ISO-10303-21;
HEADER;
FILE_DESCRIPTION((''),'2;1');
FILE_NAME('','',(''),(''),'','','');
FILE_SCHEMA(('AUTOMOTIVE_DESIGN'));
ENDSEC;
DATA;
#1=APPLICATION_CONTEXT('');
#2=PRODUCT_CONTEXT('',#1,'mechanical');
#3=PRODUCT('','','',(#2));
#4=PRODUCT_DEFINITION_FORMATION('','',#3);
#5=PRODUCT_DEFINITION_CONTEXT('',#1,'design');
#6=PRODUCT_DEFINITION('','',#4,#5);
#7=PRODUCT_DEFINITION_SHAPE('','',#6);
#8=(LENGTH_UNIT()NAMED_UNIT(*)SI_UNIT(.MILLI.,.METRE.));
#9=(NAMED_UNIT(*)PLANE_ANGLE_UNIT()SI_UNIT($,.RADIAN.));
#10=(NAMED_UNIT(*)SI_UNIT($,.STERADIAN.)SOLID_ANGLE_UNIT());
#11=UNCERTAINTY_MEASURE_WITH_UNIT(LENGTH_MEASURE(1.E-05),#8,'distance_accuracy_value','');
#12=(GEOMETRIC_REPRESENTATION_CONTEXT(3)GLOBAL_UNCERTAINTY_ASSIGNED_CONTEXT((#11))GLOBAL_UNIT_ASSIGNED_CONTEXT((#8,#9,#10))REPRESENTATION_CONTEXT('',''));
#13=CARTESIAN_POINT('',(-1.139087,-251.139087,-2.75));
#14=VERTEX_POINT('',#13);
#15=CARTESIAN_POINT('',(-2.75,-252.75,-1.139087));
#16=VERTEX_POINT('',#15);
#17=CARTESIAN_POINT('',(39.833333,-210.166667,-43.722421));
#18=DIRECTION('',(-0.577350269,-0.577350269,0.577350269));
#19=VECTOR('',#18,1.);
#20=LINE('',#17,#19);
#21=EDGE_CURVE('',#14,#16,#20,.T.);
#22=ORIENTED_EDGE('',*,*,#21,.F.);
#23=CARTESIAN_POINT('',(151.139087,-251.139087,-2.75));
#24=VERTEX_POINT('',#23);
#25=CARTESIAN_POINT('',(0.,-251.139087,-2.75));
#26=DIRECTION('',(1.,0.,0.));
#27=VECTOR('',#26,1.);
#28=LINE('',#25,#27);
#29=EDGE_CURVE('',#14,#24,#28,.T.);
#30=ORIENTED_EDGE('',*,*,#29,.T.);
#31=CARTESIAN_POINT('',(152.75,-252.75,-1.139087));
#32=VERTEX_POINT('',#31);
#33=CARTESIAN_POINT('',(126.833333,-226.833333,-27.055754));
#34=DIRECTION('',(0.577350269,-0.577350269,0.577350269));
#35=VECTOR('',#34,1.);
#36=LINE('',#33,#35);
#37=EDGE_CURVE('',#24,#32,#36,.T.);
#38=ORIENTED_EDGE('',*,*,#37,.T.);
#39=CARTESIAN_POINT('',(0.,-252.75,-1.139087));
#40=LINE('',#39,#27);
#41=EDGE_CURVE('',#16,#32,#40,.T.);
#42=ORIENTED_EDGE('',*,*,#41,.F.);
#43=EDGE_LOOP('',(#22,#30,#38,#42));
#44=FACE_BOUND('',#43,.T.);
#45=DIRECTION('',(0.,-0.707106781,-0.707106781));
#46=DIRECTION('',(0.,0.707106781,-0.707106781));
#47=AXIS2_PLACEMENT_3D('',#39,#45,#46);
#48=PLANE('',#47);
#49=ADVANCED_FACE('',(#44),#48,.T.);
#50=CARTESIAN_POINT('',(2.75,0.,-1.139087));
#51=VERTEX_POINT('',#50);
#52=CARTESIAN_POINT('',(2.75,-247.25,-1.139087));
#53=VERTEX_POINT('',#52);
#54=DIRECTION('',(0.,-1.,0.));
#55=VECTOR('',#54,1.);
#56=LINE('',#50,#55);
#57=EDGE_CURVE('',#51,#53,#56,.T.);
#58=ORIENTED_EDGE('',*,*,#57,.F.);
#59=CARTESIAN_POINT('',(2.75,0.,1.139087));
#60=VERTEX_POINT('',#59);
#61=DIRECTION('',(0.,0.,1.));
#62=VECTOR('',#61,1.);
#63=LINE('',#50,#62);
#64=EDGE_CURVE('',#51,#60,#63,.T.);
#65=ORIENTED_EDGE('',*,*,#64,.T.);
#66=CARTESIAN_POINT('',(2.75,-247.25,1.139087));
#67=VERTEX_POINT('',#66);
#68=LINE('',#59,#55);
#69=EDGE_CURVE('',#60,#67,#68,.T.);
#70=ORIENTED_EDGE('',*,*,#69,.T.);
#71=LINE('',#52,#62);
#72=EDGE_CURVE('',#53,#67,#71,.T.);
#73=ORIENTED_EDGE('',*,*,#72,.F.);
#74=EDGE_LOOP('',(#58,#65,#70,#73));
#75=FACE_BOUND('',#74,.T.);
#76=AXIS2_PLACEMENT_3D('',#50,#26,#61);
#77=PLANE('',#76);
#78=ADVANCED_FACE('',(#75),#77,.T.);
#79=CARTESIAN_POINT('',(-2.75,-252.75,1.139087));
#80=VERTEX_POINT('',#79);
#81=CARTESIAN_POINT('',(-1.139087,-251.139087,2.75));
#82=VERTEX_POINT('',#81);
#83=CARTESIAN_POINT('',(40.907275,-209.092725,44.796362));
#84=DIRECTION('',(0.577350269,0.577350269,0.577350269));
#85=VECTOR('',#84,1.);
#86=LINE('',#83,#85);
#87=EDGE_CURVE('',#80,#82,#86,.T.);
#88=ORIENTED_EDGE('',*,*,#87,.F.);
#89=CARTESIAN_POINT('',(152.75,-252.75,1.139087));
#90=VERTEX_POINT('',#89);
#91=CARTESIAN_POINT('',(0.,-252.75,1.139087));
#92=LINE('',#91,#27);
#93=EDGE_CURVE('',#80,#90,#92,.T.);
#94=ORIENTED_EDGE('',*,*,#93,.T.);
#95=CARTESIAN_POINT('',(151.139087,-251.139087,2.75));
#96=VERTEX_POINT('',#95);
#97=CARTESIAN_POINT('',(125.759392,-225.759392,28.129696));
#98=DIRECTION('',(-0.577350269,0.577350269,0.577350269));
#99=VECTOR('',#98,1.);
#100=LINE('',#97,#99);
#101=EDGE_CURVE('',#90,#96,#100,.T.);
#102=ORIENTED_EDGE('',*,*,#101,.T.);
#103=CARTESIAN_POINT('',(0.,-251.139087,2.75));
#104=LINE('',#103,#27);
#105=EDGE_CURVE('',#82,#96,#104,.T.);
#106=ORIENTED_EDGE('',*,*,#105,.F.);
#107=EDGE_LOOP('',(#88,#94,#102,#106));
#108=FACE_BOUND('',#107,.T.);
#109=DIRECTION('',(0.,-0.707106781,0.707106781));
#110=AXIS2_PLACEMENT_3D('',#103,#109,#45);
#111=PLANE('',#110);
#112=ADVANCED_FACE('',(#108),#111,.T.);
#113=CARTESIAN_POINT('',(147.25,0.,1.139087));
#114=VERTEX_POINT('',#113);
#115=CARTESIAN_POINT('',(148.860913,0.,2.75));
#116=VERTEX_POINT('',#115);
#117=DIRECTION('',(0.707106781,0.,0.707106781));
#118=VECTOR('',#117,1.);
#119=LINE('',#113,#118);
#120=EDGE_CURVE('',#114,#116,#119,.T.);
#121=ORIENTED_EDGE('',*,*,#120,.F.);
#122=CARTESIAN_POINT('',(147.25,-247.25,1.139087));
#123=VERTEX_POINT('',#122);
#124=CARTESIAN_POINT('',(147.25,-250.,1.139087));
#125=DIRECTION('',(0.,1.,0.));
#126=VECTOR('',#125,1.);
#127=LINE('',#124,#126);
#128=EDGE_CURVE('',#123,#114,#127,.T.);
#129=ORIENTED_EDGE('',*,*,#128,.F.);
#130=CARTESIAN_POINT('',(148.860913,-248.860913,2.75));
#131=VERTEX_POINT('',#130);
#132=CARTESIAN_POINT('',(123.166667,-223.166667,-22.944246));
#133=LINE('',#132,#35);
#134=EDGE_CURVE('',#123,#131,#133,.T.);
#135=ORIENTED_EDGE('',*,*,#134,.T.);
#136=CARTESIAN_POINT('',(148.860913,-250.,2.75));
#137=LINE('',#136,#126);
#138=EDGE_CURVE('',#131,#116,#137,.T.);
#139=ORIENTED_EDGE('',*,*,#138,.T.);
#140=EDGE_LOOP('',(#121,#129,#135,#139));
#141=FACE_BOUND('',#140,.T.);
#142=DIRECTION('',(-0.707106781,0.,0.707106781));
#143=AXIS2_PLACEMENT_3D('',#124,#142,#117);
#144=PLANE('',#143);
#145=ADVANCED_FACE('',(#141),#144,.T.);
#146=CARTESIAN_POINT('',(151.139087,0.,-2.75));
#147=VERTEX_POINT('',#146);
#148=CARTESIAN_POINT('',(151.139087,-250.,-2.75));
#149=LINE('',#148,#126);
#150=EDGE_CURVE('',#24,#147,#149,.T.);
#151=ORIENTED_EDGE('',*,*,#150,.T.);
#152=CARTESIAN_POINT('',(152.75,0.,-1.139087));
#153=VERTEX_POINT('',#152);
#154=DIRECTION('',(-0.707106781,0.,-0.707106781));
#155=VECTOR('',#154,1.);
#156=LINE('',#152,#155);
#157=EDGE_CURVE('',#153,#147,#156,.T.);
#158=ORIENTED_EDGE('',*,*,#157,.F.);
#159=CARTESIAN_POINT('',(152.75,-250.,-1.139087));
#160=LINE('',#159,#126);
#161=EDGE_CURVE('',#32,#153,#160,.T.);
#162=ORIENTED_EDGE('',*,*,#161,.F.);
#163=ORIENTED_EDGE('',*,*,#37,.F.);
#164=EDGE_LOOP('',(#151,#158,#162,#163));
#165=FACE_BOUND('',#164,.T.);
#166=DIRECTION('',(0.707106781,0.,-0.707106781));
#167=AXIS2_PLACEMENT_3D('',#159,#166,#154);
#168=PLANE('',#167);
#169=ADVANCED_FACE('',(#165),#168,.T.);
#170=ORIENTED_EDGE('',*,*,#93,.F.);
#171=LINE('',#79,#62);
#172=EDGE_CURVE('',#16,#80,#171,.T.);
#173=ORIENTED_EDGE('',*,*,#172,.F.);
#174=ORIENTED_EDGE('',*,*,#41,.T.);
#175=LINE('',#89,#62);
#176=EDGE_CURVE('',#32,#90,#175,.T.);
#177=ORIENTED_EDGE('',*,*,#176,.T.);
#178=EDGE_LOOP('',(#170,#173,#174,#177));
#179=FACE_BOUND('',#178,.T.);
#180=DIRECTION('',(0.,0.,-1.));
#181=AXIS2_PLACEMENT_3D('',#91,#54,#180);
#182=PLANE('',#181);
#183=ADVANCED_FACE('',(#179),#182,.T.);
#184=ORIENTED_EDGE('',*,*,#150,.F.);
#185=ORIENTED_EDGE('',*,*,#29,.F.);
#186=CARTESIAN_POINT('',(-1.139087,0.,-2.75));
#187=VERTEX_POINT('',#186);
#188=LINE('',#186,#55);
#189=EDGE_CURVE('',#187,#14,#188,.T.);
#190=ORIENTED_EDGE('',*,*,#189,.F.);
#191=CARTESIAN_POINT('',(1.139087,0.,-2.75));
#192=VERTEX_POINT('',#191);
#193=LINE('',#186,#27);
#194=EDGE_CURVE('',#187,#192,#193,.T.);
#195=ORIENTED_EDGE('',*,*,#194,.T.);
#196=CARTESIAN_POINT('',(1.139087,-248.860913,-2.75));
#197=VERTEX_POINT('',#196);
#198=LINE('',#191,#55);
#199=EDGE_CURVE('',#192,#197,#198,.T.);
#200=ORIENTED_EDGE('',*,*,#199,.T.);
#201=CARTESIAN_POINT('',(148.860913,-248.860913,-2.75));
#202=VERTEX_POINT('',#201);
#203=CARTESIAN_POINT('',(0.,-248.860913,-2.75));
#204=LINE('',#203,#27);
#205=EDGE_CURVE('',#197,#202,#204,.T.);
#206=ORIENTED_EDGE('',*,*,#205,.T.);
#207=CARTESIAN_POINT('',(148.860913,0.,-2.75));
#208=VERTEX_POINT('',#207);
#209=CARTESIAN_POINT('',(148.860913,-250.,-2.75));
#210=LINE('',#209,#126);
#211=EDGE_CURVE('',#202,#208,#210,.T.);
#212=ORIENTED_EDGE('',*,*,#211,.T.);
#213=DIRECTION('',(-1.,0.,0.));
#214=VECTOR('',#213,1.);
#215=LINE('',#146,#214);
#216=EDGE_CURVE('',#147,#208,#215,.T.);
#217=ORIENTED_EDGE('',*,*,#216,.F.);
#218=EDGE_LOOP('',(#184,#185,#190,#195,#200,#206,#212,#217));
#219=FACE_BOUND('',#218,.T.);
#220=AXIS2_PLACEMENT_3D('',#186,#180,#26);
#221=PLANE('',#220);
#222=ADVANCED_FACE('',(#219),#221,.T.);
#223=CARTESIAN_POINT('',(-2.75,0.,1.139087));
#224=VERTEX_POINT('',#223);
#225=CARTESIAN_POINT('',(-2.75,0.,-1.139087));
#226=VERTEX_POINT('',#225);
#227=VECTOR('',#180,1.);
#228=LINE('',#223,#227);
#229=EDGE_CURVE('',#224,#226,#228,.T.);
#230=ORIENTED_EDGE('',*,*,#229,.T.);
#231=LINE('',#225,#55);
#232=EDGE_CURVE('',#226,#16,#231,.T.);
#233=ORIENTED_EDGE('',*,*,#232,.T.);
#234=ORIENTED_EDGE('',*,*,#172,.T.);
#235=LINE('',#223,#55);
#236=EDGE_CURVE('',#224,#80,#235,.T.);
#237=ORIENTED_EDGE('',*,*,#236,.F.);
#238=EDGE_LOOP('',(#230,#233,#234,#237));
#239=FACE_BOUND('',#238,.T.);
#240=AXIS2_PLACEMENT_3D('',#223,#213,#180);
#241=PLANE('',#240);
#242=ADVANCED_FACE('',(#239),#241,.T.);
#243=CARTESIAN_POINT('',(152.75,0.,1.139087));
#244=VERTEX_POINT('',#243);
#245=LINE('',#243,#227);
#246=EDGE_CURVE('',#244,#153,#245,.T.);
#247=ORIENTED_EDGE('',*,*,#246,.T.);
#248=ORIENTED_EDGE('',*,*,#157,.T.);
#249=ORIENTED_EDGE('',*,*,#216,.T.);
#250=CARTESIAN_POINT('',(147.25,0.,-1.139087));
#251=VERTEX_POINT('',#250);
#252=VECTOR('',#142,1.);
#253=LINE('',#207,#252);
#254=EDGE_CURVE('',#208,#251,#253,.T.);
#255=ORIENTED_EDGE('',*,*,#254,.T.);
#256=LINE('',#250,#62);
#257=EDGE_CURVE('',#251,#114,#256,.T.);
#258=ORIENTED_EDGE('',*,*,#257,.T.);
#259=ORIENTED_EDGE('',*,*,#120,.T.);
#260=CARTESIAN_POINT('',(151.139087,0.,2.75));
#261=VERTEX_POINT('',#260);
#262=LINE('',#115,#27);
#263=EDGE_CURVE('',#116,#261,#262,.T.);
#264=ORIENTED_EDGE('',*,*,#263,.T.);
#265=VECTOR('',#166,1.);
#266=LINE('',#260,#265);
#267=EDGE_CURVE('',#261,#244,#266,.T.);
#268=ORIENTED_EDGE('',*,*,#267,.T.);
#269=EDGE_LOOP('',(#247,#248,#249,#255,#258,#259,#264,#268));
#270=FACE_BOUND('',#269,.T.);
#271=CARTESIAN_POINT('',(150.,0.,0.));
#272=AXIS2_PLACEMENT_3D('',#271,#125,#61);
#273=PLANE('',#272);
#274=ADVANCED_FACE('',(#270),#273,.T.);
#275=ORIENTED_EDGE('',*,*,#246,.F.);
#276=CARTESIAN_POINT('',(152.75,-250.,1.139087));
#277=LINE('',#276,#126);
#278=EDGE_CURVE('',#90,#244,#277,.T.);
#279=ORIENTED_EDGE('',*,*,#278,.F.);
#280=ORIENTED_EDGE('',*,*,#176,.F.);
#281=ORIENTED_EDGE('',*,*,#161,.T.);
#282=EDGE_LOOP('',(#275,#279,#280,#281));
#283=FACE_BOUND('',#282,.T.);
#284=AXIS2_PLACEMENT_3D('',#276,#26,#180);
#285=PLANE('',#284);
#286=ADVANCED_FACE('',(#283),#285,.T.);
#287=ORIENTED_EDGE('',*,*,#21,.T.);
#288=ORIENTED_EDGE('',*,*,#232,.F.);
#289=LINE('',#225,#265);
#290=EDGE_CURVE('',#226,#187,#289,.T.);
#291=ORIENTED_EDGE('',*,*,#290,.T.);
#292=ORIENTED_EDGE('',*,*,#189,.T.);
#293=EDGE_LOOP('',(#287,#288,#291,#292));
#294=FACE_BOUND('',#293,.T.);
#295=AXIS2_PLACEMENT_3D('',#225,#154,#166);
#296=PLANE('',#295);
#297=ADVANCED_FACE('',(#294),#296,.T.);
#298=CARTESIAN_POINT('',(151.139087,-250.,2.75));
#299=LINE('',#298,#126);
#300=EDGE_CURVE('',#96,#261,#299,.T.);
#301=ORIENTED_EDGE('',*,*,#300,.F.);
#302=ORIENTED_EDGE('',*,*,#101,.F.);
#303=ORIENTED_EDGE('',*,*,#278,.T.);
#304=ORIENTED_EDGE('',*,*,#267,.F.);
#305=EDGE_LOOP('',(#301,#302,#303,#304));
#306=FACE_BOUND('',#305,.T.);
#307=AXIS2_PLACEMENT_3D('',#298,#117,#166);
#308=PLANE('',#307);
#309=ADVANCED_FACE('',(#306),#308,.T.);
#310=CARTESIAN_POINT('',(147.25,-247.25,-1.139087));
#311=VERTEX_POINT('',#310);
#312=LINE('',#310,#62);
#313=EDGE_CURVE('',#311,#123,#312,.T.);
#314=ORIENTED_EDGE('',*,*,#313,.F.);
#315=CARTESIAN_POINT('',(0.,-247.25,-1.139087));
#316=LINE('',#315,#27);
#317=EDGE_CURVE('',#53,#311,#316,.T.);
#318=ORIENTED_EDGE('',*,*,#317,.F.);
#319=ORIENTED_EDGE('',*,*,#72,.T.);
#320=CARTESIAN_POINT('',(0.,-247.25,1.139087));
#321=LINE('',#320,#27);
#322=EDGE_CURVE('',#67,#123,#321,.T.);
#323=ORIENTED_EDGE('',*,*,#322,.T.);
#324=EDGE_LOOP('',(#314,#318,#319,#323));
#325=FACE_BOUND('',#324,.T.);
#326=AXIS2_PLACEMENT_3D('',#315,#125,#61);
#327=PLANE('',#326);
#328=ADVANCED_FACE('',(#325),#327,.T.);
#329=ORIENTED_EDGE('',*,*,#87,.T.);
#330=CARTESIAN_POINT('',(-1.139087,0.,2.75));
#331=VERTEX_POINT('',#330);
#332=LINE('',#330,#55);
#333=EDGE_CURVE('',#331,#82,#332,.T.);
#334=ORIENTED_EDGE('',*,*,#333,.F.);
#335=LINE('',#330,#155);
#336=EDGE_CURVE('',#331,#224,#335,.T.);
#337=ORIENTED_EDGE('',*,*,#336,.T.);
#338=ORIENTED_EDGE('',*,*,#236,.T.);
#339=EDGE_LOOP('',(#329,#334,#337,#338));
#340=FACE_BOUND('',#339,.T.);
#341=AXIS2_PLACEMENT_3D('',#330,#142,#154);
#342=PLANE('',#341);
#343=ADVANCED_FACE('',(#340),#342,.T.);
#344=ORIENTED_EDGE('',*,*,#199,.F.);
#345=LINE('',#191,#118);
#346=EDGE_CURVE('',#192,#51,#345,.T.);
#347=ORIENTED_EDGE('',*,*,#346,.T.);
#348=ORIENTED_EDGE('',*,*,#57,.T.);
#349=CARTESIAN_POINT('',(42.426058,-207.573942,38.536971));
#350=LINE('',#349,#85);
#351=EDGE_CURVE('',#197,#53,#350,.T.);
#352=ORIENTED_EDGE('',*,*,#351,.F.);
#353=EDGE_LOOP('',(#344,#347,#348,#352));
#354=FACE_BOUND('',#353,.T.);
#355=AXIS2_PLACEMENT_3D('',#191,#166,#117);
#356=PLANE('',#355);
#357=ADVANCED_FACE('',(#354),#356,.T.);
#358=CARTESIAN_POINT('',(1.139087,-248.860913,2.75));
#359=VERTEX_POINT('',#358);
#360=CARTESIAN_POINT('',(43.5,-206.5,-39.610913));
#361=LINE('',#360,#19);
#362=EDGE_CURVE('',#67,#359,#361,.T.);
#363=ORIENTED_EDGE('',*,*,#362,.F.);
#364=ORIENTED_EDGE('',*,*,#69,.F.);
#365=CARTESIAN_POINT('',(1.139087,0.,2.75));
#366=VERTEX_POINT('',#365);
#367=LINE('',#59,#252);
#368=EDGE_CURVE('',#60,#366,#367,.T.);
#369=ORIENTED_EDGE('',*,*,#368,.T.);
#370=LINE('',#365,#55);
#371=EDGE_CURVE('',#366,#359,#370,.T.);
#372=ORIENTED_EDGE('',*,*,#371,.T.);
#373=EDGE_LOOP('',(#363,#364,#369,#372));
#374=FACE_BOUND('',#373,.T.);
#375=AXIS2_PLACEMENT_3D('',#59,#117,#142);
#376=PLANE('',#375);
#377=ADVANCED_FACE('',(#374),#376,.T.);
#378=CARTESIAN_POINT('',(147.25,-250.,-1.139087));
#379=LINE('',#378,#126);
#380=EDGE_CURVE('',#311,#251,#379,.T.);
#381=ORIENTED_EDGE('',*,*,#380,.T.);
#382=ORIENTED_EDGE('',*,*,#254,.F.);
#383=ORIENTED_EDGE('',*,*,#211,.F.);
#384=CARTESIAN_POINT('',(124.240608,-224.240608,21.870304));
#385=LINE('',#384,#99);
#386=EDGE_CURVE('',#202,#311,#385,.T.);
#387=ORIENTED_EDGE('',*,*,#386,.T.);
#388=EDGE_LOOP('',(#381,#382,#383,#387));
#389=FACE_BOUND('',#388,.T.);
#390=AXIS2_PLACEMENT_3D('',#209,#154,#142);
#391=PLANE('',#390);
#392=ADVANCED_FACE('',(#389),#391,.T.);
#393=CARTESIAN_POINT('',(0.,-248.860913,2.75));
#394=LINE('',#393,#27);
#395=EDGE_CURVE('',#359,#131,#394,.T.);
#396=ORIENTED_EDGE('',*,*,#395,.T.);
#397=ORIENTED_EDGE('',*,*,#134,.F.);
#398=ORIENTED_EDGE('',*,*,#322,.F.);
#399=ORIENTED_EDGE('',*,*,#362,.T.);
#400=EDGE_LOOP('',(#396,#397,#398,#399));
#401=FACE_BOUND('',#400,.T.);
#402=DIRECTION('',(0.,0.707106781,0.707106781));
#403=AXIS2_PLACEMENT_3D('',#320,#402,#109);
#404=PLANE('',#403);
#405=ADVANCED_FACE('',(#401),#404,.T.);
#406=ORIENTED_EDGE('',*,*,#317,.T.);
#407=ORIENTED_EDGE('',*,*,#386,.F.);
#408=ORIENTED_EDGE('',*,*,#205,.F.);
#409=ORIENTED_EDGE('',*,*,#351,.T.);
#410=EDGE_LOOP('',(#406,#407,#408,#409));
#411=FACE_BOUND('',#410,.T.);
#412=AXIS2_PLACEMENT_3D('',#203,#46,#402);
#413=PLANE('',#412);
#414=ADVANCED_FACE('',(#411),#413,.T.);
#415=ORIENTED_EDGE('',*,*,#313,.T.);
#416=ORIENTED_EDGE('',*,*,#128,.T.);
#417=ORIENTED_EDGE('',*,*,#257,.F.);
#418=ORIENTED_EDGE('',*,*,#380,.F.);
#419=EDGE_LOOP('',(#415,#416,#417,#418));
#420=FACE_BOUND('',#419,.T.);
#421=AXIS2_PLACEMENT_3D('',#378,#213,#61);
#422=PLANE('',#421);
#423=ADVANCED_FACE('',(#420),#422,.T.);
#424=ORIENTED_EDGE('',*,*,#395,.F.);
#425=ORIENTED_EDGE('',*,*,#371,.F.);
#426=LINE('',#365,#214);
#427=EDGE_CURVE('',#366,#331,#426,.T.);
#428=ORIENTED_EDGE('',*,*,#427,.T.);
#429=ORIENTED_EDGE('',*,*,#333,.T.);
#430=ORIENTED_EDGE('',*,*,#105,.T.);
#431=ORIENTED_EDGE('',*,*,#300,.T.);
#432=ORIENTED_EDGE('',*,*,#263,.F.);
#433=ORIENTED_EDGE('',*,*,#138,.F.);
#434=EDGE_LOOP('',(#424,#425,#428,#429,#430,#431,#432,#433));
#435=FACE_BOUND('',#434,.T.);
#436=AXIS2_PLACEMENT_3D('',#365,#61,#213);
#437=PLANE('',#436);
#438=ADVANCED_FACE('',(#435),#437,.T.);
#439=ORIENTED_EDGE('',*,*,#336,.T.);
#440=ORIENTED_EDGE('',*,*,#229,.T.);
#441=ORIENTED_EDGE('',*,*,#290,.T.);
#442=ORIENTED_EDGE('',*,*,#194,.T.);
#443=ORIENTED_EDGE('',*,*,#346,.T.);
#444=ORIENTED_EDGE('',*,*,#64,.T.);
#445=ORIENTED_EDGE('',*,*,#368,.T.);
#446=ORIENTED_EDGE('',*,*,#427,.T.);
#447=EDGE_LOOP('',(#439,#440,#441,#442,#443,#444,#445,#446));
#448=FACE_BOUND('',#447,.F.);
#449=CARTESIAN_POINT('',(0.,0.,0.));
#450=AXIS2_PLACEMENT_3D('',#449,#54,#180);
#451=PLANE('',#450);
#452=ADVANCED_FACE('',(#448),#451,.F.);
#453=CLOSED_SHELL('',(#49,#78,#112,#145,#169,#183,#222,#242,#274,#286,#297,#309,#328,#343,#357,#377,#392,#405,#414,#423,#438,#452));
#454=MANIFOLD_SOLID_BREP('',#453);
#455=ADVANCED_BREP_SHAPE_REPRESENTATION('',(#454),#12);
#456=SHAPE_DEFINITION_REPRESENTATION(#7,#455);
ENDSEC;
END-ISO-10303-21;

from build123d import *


with BuildPart() as f2:
    # F2: sweep along a path in F0
    with BuildLine(Plane.XY) as f2_path:
        Line((0, 0), (0, -250))
        Line((0, -250), (150, -250))
        Line((150, -250), (150, 0))
    # F1 (on Front) → F2 (sweep)
    with BuildSketch(Plane.XZ):
        Polygon((1.1390872965, 2.75), (-1.1390872965, 2.75), (-2.75, 1.1390872965), (-2.75, -1.1390872965), (-1.1390872965, -2.75), (1.1390872965, -2.75), (2.75, -1.1390872965), (2.75, 1.1390872965), align=None)
    sweep(path=f2_path.line, transition=Transition.RIGHT)


solid = f2.part
